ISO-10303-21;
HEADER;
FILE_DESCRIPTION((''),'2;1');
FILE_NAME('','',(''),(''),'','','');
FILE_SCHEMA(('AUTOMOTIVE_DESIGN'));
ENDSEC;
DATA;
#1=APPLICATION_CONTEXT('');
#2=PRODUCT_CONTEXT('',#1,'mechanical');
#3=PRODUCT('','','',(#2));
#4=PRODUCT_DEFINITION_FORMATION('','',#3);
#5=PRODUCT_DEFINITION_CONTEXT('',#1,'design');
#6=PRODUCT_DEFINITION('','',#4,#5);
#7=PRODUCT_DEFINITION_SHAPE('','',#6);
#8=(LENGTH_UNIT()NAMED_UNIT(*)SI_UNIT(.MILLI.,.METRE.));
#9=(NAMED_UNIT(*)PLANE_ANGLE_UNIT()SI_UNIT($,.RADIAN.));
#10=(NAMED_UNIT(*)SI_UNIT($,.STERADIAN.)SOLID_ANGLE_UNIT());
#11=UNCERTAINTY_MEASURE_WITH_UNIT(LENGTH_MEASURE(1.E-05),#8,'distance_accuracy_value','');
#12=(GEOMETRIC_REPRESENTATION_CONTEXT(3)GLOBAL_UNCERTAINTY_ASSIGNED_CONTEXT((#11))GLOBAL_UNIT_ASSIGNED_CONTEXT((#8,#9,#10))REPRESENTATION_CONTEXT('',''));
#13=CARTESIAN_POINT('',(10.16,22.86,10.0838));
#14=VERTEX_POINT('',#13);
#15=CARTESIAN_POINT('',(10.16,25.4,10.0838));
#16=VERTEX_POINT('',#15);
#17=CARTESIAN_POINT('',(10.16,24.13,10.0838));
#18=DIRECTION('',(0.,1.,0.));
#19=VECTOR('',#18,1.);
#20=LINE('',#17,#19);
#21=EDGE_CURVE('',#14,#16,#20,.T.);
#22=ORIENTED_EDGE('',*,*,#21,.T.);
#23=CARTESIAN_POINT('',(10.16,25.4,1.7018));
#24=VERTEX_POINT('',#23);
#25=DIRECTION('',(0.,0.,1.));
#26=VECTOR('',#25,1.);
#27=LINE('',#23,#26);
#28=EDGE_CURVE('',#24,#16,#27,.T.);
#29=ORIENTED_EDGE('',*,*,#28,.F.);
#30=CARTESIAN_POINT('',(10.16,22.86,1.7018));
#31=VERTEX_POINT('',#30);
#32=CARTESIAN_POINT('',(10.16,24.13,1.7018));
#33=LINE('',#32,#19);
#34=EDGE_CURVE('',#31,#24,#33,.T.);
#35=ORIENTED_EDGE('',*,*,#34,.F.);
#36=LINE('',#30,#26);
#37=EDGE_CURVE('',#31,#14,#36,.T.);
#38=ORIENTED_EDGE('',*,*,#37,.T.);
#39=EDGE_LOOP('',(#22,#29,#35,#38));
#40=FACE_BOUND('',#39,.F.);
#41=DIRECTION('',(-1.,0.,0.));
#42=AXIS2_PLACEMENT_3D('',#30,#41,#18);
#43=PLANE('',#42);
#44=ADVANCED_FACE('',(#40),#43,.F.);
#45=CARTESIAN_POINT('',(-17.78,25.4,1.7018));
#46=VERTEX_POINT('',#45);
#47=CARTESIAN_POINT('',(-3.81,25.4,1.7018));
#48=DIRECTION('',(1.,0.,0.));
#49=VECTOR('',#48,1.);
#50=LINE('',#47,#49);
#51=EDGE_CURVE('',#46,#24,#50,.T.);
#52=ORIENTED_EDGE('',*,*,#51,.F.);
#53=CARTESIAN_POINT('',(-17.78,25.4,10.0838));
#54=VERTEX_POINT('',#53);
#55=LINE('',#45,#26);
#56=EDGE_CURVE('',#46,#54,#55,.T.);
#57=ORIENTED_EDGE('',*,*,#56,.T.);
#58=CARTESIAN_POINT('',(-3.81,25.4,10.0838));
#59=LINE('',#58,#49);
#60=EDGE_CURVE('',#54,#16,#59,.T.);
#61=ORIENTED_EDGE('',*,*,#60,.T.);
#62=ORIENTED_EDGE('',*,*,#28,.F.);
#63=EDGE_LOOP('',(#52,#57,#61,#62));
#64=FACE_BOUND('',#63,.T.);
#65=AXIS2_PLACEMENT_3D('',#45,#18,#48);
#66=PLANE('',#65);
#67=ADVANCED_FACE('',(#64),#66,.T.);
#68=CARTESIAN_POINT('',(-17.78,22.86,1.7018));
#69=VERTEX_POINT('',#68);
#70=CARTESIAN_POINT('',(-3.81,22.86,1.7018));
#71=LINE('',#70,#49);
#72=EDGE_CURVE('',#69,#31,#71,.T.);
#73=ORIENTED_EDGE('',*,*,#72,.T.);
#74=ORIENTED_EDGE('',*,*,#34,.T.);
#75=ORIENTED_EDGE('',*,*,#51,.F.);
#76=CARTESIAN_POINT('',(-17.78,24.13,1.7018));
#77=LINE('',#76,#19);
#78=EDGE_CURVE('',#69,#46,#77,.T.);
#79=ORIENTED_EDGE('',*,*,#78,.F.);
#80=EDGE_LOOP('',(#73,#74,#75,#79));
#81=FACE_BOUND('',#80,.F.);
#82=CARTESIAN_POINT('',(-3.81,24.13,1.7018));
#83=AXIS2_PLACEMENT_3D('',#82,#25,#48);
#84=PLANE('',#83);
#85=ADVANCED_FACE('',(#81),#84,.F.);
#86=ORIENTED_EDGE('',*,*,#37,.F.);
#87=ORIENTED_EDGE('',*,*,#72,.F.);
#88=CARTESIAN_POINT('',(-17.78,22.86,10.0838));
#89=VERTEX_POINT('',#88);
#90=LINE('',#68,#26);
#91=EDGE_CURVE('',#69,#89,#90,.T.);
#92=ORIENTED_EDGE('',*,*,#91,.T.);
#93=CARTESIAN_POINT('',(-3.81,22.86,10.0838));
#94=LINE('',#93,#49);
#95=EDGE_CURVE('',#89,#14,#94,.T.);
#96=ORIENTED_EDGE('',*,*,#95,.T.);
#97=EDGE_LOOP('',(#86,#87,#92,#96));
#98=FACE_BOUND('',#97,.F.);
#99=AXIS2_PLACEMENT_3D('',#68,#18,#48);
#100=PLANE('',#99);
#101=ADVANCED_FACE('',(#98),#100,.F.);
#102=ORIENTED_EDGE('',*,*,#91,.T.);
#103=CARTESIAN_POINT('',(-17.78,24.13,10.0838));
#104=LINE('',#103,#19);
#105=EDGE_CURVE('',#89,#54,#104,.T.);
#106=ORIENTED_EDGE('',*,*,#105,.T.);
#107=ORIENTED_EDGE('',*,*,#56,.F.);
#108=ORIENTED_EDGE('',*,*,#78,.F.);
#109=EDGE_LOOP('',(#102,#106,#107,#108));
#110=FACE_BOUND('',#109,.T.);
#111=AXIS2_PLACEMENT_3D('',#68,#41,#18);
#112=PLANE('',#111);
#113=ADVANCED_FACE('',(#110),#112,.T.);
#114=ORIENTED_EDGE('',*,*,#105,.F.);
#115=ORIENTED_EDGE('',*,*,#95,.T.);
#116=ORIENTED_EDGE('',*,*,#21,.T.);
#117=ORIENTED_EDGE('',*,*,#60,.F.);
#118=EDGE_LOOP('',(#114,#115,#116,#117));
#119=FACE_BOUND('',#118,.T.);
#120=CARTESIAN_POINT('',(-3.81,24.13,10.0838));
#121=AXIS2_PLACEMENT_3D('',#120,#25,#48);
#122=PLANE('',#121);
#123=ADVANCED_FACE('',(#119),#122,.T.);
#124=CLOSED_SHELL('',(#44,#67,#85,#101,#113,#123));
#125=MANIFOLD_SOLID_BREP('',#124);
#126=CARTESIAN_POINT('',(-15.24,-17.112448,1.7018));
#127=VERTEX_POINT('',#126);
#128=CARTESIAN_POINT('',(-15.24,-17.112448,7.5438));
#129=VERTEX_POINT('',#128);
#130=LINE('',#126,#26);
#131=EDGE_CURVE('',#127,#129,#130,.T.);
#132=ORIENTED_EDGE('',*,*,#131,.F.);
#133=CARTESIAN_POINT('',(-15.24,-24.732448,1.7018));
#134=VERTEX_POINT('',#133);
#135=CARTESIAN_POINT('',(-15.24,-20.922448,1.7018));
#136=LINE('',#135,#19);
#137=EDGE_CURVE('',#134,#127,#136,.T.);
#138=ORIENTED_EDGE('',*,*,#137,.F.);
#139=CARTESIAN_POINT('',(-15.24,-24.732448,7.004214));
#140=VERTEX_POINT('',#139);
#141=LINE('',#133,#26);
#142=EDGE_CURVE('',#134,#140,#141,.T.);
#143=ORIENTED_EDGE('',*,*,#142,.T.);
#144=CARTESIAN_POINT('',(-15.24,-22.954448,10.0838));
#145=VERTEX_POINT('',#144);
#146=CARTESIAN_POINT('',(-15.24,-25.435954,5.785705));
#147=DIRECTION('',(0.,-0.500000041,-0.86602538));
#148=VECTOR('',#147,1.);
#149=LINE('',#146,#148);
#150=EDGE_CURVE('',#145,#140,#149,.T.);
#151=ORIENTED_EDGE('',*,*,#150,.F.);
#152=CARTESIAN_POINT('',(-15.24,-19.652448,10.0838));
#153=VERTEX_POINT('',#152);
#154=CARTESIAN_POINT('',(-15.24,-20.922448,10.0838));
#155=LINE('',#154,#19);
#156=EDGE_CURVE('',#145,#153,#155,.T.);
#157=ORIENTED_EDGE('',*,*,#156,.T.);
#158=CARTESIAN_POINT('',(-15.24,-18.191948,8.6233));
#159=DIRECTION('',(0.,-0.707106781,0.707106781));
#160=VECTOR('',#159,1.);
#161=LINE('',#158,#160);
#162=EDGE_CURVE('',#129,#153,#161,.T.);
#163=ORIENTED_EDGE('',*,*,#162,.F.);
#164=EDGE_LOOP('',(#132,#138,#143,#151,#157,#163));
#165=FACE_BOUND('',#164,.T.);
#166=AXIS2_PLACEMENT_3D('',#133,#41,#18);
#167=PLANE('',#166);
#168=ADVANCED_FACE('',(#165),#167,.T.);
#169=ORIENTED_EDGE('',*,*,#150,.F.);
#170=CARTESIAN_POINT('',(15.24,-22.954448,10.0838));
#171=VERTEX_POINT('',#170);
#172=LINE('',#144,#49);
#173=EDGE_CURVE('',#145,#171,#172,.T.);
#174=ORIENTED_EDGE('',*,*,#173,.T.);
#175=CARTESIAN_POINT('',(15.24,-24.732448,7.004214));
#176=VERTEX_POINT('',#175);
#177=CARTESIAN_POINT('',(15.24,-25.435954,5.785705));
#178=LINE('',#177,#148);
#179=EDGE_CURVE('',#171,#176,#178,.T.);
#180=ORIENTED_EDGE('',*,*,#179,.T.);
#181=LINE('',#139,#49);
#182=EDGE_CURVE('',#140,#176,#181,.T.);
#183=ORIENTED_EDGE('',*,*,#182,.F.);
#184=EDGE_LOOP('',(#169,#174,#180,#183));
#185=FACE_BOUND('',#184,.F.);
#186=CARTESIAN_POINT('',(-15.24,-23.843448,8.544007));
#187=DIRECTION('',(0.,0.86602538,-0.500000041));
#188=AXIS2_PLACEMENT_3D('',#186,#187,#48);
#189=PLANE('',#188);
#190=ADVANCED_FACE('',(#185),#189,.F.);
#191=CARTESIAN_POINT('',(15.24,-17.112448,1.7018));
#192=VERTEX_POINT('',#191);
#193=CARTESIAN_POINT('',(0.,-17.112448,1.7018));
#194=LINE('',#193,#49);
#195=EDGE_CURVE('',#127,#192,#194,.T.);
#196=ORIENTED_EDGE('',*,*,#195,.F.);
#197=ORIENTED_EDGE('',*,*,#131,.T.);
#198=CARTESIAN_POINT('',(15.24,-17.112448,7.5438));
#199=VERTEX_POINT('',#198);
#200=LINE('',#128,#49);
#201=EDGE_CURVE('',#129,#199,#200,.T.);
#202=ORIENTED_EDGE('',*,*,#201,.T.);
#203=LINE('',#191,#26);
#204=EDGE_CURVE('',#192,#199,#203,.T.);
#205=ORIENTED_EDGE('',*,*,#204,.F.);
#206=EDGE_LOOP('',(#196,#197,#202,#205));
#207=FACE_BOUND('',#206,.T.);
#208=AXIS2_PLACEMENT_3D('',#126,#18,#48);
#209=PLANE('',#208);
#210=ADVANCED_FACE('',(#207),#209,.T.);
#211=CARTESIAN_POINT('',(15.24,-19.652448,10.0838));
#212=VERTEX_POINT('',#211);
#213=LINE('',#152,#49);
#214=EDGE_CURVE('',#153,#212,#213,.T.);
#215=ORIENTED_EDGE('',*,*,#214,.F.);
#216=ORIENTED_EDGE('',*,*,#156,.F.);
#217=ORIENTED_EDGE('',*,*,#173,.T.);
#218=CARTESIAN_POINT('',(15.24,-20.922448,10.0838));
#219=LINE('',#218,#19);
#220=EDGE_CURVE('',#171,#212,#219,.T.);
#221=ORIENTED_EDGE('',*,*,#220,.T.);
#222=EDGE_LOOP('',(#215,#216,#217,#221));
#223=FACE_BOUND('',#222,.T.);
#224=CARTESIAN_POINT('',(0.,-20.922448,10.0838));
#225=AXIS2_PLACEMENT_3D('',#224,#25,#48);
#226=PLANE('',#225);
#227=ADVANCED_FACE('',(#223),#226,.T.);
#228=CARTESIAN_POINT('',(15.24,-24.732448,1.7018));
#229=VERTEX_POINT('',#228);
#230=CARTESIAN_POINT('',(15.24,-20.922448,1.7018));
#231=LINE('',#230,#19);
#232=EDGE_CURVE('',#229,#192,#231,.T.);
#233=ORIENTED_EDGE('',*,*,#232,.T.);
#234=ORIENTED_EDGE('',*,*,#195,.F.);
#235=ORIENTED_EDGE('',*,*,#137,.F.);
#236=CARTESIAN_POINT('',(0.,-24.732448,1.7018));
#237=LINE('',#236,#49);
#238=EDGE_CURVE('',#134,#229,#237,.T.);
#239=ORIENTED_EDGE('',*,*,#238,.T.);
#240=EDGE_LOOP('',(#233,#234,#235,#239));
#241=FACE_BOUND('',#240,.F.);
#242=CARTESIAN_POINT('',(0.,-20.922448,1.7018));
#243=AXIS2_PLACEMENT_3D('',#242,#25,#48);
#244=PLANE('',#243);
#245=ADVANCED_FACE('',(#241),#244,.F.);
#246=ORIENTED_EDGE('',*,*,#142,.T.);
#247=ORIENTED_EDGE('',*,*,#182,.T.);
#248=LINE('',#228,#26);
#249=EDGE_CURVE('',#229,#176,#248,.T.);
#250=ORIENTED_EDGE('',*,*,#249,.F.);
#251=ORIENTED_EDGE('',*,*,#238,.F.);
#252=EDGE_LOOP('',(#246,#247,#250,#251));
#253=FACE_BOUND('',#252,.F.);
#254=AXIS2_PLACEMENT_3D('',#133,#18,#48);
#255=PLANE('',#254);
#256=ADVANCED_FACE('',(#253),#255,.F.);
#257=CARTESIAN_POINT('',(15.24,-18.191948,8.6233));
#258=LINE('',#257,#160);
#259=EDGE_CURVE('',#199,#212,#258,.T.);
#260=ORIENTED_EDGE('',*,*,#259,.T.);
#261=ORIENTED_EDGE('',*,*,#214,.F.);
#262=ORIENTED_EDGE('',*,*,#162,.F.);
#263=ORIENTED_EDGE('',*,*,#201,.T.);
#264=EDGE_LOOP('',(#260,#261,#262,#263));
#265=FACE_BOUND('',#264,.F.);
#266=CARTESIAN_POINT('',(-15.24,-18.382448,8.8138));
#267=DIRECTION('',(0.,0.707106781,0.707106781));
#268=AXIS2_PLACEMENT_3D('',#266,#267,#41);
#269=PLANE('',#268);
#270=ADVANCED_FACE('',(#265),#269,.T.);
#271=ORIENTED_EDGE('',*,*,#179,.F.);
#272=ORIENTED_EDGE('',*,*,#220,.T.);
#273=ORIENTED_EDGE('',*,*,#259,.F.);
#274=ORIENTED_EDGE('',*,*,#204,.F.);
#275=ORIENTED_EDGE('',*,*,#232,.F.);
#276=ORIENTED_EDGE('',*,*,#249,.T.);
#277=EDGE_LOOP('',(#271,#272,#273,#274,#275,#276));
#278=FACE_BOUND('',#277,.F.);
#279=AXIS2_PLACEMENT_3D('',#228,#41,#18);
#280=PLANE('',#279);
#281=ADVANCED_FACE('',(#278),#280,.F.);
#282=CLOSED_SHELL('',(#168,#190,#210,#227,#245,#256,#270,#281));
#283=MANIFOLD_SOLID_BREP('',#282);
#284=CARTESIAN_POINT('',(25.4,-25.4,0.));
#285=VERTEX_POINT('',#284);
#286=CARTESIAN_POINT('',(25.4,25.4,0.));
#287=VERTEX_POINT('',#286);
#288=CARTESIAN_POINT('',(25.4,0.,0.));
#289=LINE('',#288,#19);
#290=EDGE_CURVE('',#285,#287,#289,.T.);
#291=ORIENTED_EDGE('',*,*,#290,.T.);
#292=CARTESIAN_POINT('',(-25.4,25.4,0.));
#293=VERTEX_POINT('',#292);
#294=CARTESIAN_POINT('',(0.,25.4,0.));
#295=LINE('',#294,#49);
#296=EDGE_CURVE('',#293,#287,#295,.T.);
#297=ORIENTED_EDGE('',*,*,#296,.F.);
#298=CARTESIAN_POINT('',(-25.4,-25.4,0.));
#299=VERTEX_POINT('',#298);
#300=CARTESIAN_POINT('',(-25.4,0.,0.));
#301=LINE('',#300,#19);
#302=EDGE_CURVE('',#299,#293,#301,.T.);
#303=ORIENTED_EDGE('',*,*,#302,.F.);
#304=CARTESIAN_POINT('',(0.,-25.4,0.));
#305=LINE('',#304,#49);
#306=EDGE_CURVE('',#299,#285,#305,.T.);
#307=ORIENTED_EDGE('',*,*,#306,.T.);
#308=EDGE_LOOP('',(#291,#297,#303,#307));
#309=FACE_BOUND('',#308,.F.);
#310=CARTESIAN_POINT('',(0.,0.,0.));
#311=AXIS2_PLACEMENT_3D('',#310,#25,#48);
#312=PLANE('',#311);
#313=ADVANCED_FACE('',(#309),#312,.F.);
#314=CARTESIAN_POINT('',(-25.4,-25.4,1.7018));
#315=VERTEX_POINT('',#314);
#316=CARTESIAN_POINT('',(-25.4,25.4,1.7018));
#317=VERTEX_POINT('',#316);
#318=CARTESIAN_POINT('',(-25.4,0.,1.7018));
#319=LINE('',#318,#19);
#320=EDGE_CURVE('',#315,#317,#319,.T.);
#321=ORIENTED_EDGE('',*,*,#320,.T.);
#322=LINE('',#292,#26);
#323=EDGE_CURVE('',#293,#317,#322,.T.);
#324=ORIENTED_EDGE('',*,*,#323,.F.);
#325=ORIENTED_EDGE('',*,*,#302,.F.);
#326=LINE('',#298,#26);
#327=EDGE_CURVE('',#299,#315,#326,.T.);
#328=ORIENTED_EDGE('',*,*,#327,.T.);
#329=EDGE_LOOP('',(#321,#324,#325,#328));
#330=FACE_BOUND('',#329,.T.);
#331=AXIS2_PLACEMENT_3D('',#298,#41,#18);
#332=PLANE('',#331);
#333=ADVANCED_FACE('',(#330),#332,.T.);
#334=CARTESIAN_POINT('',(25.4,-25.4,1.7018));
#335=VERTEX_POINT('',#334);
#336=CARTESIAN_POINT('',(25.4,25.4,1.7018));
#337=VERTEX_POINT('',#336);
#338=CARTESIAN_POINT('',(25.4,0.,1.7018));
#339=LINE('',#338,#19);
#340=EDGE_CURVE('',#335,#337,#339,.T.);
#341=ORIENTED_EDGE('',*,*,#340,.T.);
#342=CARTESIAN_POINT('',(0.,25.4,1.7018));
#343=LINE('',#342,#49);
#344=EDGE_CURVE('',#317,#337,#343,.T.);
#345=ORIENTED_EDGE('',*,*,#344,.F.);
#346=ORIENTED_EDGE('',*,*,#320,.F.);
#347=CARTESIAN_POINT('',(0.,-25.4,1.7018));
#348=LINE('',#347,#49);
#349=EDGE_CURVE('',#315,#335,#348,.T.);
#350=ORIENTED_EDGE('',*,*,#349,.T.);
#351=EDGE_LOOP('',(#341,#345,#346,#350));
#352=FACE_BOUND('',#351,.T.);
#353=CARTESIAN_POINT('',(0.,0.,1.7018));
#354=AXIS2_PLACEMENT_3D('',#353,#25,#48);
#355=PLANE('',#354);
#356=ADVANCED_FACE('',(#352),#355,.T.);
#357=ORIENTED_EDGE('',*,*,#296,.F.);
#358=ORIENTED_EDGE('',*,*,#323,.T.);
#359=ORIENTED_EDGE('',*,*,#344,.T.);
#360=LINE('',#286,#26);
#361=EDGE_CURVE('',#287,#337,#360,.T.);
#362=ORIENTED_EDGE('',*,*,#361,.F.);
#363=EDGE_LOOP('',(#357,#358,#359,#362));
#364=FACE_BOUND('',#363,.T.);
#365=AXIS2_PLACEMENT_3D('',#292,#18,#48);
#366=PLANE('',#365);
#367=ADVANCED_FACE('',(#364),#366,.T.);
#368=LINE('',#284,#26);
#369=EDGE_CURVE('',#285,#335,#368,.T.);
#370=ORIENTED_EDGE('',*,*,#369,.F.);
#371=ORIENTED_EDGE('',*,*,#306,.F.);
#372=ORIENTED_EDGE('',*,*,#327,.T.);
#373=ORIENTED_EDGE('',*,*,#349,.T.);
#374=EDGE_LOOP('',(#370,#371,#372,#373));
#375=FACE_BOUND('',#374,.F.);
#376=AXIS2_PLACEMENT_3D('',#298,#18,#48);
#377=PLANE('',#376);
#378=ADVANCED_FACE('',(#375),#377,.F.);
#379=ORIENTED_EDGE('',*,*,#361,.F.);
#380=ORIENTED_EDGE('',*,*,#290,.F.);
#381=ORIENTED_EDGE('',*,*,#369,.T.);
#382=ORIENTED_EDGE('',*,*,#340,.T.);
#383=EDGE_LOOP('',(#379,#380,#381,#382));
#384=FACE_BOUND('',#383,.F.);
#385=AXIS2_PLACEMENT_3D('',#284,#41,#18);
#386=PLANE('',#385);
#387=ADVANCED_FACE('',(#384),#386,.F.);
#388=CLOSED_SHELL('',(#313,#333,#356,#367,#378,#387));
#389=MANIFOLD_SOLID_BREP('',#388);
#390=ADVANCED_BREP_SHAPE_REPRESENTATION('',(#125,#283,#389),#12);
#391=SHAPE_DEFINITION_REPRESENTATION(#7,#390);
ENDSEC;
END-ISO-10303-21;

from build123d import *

# Parameters (mm, degrees)
F0_W     = 50.8
F0_H     = 50.8
F1_DEPTH = 1.7018
F2_W     = 30.48
F2_H     = 7.62
F3_DEPTH = 8.382
F4_W     = 27.94
F4_H     = 2.54
F5_DEPTH = 8.382
F6_SIZE  = 2.54
F7_SIZE2 = 3.079586
F7_SIZE  = 1.778


with BuildPart() as f1:
    # F0 (on Top) → F1 (new body)
    with BuildSketch(Plane.XY):
        Rectangle(F0_W, F0_H)
    extrude(amount=F1_DEPTH)


with BuildPart() as f3:
    # F2 (on face) → F3 (new body)
    with BuildSketch(Plane.XY.offset(1.7018)):
        with Locations((0, -20.922448)):
            Rectangle(F2_W, F2_H)
    extrude(amount=F3_DEPTH)

    # F6
    f6_edges = [f3.edges().sort_by_distance(p)[0] for p in [
        (0, -17.112448, 10.0838),
    ]]
    chamfer(f6_edges, length=F6_SIZE)

    # F7
    f7_edges = [f3.edges().sort_by_distance(p)[0] for p in [
        (0, -24.732448, 10.0838),
    ]]
    chamfer(f7_edges, length=F7_SIZE, length2=F7_SIZE2)


with BuildPart() as f5:
    # F4 (on face) → F5 (new body)
    with BuildSketch(Plane.XY.offset(1.7018)):
        with Locations((-3.81, 24.13)):
            Rectangle(F4_W, F4_H)
    extrude(amount=F5_DEPTH)


solid = Compound([f1.part, f3.part, f5.part])
